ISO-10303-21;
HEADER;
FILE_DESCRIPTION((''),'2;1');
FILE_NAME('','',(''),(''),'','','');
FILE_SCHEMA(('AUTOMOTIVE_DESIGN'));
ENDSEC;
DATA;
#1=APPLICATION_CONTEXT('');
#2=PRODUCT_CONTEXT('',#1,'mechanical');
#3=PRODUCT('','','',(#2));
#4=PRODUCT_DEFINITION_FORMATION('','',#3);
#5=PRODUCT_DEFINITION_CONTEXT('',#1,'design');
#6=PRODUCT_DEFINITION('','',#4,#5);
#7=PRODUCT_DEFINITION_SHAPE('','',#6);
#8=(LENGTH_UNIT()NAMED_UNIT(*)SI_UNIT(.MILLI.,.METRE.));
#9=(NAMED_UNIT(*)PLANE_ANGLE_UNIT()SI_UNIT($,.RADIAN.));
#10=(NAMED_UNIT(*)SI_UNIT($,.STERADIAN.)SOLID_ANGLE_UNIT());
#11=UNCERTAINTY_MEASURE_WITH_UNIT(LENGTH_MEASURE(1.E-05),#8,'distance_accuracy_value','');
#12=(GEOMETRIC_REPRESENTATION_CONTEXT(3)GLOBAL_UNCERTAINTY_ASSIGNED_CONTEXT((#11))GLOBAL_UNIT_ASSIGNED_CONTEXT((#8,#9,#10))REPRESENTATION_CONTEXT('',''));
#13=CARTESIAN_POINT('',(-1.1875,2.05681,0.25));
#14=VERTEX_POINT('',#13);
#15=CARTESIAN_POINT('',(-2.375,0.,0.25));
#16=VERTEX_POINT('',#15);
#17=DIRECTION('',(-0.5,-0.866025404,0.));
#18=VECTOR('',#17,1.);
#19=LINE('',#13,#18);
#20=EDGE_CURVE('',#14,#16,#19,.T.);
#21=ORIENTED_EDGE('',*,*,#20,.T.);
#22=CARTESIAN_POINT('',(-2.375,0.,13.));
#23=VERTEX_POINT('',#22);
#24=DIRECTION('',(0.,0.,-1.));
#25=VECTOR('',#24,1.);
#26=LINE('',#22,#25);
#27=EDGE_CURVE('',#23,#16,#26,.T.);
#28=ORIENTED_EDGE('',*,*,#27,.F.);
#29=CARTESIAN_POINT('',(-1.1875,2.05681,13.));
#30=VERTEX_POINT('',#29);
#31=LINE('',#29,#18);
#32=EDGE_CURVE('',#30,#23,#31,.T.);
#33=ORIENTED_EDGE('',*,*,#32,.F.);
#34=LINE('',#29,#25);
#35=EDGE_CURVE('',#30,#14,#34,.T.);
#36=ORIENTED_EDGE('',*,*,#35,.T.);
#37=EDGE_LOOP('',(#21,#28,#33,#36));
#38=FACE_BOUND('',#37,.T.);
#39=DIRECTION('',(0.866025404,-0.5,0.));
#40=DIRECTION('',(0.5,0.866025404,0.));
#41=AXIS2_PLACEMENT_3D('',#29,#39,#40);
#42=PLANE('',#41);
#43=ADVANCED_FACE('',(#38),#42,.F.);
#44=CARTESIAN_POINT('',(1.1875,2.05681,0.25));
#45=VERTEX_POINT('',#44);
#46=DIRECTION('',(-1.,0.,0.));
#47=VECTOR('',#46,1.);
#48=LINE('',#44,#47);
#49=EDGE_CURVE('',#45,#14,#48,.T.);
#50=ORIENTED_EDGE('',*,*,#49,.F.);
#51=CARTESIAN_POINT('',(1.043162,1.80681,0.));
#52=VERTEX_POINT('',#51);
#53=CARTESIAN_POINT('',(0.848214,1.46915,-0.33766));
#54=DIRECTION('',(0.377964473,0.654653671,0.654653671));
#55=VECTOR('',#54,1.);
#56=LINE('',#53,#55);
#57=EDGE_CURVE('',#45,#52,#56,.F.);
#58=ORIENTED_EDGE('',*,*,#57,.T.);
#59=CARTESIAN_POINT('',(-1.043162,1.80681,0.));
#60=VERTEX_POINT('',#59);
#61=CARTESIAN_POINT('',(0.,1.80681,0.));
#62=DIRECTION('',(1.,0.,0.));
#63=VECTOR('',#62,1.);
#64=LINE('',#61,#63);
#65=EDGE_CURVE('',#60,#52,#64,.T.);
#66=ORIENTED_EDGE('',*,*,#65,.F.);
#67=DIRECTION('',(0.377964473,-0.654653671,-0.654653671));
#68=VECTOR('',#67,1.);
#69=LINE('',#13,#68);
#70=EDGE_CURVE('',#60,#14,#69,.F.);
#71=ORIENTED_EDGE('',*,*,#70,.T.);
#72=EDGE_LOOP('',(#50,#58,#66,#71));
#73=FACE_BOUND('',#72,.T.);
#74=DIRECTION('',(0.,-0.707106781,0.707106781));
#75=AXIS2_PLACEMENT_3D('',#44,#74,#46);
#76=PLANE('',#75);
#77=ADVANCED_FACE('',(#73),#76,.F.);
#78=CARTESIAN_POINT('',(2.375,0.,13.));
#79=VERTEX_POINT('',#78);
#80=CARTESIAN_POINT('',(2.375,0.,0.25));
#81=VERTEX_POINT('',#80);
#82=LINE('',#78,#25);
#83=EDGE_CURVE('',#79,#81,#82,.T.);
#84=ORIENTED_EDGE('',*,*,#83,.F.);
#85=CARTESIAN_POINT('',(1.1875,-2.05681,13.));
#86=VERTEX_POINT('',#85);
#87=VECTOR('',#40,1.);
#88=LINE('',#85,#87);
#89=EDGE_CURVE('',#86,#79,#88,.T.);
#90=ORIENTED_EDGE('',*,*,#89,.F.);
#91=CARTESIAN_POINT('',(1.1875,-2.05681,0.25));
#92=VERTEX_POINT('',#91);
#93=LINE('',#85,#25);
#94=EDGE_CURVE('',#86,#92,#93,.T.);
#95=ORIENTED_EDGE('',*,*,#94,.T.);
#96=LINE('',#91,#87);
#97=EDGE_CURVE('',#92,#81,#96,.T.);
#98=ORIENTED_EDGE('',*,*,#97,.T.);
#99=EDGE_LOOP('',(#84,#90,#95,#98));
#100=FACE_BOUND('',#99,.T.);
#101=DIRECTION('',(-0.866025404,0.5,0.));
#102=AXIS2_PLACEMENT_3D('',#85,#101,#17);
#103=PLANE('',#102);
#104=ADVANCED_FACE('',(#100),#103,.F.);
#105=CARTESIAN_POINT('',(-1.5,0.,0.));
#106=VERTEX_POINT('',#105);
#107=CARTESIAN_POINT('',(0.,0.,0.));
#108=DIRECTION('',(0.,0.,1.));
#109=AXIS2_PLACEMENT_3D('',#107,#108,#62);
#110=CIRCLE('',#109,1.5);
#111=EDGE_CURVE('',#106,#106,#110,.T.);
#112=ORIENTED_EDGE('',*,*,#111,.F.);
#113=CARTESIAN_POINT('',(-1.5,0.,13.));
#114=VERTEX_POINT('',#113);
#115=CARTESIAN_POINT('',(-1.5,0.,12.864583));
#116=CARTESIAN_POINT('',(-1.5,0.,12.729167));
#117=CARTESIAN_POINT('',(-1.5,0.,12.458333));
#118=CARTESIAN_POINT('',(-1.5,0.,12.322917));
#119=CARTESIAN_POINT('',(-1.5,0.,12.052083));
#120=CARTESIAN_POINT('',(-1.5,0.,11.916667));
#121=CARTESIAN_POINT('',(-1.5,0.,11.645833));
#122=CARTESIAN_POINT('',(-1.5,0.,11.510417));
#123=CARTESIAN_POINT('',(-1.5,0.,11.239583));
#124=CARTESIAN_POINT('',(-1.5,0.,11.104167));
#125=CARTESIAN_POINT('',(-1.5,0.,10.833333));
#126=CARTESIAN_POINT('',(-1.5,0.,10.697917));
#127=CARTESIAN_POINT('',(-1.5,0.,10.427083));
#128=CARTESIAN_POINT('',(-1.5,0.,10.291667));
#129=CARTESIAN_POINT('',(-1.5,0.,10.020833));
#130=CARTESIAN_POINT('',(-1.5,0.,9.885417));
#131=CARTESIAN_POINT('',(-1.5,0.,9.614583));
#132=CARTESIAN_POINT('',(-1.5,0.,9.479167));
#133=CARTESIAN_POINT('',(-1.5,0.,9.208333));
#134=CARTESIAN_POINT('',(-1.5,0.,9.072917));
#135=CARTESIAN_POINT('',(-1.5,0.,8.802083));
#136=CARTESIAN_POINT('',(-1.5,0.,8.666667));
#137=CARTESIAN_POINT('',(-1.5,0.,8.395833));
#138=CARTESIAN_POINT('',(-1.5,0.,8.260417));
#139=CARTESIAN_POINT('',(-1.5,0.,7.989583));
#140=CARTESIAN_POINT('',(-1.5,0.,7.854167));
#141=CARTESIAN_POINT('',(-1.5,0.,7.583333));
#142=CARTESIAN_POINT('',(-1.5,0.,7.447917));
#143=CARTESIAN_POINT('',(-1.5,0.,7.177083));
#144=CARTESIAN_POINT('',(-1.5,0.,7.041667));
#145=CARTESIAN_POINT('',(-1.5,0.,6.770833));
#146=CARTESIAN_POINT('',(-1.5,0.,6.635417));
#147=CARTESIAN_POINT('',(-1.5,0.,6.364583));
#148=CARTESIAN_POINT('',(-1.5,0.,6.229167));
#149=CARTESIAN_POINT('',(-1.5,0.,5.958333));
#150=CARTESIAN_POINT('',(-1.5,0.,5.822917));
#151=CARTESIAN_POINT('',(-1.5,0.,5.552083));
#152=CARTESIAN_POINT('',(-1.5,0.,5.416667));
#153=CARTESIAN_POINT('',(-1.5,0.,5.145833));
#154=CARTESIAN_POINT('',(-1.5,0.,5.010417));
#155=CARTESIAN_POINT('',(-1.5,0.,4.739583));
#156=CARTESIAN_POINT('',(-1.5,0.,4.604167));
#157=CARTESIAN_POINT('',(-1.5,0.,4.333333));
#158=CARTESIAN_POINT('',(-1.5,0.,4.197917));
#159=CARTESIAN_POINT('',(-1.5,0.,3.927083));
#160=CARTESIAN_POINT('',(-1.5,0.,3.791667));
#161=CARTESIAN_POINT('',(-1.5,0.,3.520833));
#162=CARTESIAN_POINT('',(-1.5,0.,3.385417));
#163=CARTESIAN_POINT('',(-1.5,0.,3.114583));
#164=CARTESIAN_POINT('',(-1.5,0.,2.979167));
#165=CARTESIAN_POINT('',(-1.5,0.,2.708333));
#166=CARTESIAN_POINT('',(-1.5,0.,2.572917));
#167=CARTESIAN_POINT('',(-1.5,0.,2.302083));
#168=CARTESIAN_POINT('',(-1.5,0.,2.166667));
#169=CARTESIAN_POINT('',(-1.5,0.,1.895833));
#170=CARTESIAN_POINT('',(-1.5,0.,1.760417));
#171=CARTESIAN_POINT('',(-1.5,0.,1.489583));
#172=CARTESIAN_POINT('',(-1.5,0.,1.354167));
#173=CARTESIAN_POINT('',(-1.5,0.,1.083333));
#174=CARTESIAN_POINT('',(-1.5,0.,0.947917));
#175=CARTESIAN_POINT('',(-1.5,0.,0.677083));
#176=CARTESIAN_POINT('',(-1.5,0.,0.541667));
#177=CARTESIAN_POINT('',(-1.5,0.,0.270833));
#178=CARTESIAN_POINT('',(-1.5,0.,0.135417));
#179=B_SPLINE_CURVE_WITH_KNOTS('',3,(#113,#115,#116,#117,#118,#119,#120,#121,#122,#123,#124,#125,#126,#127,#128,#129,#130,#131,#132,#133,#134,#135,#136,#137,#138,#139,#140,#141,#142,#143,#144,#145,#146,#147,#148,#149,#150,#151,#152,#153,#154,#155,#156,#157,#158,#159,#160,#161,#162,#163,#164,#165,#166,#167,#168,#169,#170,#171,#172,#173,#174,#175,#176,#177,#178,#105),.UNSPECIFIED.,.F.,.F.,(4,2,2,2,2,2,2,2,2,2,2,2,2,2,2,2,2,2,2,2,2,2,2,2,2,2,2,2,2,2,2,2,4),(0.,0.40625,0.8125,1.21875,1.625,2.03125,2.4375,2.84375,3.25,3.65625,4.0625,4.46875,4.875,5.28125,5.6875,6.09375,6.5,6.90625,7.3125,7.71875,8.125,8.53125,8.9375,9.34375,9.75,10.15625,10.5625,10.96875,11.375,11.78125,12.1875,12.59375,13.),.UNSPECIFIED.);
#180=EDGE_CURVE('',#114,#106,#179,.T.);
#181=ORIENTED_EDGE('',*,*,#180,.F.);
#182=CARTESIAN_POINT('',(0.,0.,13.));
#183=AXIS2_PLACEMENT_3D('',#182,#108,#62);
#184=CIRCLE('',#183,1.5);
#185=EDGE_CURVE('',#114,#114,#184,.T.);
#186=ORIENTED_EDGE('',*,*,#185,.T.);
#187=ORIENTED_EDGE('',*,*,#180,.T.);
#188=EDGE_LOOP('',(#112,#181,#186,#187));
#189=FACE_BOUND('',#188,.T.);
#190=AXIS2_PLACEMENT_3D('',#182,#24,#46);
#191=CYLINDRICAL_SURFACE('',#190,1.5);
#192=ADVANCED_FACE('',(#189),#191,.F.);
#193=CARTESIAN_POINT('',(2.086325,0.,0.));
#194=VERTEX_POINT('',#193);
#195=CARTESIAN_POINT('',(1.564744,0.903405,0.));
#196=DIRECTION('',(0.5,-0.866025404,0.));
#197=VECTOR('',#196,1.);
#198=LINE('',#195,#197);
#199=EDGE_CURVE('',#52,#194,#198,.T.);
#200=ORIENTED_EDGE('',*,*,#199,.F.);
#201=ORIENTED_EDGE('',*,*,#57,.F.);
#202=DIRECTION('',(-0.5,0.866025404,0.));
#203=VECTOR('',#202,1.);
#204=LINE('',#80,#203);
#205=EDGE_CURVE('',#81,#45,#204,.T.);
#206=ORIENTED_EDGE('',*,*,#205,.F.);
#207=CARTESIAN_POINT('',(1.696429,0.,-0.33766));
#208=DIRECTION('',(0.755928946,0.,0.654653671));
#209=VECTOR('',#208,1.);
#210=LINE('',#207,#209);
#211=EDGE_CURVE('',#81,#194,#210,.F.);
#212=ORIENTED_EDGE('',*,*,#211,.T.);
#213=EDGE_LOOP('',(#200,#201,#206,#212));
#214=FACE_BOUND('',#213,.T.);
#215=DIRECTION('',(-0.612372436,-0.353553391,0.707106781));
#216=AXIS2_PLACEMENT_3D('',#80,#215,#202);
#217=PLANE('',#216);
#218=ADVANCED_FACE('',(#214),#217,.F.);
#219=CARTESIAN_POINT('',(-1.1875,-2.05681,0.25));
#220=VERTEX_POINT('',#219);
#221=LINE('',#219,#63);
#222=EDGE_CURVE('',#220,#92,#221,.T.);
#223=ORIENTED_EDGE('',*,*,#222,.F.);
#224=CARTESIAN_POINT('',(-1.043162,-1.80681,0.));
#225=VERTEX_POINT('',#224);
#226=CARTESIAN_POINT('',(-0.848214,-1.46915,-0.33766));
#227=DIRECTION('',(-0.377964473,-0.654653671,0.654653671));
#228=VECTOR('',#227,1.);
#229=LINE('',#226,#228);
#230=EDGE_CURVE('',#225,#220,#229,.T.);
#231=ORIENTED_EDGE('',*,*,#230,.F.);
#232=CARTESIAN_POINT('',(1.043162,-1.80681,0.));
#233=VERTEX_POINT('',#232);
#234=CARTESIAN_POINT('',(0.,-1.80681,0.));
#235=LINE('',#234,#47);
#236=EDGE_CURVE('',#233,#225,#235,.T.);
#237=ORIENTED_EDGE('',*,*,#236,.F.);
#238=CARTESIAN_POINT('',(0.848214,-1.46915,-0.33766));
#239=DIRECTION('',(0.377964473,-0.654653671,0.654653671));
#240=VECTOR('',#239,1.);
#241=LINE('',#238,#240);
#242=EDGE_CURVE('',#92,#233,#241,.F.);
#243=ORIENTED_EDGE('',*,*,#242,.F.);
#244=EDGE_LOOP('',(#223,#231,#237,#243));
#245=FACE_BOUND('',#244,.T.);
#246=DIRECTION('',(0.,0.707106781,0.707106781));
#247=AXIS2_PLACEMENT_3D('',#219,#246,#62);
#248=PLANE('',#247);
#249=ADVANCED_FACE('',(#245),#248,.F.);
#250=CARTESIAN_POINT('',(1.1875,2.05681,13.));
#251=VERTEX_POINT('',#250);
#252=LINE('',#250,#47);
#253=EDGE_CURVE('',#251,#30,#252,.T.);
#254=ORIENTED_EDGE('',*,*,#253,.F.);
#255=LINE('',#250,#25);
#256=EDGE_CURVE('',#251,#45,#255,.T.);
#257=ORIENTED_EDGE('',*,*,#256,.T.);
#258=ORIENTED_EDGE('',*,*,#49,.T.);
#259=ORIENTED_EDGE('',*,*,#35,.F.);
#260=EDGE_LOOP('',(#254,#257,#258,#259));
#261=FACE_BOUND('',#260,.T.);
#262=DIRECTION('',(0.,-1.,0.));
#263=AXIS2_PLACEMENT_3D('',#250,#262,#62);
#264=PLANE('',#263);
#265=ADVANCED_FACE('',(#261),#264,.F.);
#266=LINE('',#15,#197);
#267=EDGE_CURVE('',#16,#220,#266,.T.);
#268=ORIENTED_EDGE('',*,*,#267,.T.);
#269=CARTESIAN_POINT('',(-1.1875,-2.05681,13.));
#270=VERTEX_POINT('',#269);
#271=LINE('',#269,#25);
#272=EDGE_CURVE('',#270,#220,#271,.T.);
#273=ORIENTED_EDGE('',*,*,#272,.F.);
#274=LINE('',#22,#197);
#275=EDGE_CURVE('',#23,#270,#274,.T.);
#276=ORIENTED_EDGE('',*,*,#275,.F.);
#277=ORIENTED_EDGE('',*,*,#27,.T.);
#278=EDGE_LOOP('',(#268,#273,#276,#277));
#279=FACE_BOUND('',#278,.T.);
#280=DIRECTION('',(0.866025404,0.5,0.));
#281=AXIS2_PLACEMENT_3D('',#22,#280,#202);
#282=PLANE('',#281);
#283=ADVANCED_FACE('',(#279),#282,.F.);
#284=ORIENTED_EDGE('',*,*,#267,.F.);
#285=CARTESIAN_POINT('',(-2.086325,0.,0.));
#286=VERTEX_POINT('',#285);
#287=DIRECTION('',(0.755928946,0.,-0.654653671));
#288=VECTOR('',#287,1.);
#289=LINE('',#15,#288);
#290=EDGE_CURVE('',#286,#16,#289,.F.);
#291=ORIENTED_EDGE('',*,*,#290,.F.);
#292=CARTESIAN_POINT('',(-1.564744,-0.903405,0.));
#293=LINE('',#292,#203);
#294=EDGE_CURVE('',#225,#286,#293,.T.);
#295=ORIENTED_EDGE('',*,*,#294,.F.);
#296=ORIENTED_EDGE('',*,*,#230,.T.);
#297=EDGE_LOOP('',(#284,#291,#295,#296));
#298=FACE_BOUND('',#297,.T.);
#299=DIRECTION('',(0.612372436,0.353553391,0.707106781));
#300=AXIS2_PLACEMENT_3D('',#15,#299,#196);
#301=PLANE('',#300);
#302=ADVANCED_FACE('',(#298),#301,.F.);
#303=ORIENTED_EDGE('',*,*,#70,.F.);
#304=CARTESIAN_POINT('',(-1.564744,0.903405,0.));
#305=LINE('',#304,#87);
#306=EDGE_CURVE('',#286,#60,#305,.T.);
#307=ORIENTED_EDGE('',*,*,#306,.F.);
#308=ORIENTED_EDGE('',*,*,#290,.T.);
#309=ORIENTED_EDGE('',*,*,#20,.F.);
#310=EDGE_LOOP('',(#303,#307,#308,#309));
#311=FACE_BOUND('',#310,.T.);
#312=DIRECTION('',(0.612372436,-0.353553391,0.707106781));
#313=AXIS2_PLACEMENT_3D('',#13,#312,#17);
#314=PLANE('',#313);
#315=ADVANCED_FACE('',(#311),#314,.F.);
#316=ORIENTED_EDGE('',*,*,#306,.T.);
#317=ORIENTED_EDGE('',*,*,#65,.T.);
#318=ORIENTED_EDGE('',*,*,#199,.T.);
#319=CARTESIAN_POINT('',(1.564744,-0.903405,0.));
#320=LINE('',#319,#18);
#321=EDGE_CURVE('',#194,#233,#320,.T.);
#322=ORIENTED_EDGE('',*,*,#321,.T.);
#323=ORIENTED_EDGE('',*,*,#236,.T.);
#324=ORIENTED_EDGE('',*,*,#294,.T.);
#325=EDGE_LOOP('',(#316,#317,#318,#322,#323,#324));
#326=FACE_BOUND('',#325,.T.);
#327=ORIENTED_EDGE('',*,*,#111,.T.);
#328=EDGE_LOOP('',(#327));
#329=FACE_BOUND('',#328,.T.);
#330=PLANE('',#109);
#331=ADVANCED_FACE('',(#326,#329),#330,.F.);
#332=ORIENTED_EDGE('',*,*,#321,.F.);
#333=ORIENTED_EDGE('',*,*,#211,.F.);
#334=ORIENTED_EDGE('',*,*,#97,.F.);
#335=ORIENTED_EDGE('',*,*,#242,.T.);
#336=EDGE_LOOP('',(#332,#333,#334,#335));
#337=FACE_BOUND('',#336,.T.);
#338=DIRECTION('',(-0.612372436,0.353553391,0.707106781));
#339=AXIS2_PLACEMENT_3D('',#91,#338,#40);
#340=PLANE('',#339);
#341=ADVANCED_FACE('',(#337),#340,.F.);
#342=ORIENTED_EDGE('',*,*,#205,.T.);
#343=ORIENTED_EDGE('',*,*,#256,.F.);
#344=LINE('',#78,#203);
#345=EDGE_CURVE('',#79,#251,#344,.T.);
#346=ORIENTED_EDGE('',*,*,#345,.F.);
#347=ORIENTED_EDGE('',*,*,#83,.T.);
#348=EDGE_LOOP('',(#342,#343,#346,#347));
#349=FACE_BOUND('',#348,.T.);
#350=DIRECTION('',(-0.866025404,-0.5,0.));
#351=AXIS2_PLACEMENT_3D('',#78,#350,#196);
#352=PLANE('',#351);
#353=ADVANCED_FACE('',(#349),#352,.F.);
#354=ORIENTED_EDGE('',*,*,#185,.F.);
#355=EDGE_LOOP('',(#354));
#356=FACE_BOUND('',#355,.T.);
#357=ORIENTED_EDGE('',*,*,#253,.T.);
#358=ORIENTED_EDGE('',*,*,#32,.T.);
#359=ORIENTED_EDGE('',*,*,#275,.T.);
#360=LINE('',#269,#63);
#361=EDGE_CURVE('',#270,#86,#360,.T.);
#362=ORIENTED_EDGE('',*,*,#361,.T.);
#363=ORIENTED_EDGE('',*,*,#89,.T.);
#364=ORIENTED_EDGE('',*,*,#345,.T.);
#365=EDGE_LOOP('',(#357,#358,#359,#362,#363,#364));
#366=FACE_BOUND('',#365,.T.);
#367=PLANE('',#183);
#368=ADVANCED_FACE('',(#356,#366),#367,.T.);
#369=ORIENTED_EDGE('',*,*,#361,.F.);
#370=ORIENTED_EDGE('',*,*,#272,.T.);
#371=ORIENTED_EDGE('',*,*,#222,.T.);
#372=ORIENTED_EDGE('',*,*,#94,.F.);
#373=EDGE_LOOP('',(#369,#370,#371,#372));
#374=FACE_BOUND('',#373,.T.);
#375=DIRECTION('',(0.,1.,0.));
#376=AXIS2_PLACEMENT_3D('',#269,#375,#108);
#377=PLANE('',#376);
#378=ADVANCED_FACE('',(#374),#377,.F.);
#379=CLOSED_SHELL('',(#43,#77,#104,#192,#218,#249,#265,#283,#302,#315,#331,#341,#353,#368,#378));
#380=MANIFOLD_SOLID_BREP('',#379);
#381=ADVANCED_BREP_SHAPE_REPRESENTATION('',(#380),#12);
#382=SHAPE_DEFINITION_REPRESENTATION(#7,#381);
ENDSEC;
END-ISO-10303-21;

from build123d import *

# Parameters (mm, degrees)
ESQUISSE1_R        = 1.5
BOSS_EXTRU_1_DEPTH = 13
CHANFREIN1_SIZE    = 0.25


with BuildPart() as part:
    # Esquisse1 → Boss.-Extru.1 (new body)
    with BuildSketch(Plane.XY):
        Polygon((-1.1875, -2.056810334), (1.1875, -2.056810334), (2.375, 0), (1.1875, 2.056810334), (-1.1875, 2.056810334), (-2.375, 0), align=None)
        with Locations(Location((0, 0, 0), (0, 0, 180))):
            Circle(ESQUISSE1_R, mode=Mode.SUBTRACT)
    extrude(amount=BOSS_EXTRU_1_DEPTH)

    # Chanfrein1
    chanfrein1_edges = [part.edges().sort_by_distance(p)[0] for p in [
        (-1.78125, 1.028405167, 0),
        (0, 2.056810334, 0),
        (1.78125, 1.028405167, 0),
        (1.78125, -1.028405167, 0),
        (0, -2.056810334, 0),
        (-1.78125, -1.028405167, 0),
    ]]
    chamfer(chanfrein1_edges, length=CHANFREIN1_SIZE)


solid = part.part
